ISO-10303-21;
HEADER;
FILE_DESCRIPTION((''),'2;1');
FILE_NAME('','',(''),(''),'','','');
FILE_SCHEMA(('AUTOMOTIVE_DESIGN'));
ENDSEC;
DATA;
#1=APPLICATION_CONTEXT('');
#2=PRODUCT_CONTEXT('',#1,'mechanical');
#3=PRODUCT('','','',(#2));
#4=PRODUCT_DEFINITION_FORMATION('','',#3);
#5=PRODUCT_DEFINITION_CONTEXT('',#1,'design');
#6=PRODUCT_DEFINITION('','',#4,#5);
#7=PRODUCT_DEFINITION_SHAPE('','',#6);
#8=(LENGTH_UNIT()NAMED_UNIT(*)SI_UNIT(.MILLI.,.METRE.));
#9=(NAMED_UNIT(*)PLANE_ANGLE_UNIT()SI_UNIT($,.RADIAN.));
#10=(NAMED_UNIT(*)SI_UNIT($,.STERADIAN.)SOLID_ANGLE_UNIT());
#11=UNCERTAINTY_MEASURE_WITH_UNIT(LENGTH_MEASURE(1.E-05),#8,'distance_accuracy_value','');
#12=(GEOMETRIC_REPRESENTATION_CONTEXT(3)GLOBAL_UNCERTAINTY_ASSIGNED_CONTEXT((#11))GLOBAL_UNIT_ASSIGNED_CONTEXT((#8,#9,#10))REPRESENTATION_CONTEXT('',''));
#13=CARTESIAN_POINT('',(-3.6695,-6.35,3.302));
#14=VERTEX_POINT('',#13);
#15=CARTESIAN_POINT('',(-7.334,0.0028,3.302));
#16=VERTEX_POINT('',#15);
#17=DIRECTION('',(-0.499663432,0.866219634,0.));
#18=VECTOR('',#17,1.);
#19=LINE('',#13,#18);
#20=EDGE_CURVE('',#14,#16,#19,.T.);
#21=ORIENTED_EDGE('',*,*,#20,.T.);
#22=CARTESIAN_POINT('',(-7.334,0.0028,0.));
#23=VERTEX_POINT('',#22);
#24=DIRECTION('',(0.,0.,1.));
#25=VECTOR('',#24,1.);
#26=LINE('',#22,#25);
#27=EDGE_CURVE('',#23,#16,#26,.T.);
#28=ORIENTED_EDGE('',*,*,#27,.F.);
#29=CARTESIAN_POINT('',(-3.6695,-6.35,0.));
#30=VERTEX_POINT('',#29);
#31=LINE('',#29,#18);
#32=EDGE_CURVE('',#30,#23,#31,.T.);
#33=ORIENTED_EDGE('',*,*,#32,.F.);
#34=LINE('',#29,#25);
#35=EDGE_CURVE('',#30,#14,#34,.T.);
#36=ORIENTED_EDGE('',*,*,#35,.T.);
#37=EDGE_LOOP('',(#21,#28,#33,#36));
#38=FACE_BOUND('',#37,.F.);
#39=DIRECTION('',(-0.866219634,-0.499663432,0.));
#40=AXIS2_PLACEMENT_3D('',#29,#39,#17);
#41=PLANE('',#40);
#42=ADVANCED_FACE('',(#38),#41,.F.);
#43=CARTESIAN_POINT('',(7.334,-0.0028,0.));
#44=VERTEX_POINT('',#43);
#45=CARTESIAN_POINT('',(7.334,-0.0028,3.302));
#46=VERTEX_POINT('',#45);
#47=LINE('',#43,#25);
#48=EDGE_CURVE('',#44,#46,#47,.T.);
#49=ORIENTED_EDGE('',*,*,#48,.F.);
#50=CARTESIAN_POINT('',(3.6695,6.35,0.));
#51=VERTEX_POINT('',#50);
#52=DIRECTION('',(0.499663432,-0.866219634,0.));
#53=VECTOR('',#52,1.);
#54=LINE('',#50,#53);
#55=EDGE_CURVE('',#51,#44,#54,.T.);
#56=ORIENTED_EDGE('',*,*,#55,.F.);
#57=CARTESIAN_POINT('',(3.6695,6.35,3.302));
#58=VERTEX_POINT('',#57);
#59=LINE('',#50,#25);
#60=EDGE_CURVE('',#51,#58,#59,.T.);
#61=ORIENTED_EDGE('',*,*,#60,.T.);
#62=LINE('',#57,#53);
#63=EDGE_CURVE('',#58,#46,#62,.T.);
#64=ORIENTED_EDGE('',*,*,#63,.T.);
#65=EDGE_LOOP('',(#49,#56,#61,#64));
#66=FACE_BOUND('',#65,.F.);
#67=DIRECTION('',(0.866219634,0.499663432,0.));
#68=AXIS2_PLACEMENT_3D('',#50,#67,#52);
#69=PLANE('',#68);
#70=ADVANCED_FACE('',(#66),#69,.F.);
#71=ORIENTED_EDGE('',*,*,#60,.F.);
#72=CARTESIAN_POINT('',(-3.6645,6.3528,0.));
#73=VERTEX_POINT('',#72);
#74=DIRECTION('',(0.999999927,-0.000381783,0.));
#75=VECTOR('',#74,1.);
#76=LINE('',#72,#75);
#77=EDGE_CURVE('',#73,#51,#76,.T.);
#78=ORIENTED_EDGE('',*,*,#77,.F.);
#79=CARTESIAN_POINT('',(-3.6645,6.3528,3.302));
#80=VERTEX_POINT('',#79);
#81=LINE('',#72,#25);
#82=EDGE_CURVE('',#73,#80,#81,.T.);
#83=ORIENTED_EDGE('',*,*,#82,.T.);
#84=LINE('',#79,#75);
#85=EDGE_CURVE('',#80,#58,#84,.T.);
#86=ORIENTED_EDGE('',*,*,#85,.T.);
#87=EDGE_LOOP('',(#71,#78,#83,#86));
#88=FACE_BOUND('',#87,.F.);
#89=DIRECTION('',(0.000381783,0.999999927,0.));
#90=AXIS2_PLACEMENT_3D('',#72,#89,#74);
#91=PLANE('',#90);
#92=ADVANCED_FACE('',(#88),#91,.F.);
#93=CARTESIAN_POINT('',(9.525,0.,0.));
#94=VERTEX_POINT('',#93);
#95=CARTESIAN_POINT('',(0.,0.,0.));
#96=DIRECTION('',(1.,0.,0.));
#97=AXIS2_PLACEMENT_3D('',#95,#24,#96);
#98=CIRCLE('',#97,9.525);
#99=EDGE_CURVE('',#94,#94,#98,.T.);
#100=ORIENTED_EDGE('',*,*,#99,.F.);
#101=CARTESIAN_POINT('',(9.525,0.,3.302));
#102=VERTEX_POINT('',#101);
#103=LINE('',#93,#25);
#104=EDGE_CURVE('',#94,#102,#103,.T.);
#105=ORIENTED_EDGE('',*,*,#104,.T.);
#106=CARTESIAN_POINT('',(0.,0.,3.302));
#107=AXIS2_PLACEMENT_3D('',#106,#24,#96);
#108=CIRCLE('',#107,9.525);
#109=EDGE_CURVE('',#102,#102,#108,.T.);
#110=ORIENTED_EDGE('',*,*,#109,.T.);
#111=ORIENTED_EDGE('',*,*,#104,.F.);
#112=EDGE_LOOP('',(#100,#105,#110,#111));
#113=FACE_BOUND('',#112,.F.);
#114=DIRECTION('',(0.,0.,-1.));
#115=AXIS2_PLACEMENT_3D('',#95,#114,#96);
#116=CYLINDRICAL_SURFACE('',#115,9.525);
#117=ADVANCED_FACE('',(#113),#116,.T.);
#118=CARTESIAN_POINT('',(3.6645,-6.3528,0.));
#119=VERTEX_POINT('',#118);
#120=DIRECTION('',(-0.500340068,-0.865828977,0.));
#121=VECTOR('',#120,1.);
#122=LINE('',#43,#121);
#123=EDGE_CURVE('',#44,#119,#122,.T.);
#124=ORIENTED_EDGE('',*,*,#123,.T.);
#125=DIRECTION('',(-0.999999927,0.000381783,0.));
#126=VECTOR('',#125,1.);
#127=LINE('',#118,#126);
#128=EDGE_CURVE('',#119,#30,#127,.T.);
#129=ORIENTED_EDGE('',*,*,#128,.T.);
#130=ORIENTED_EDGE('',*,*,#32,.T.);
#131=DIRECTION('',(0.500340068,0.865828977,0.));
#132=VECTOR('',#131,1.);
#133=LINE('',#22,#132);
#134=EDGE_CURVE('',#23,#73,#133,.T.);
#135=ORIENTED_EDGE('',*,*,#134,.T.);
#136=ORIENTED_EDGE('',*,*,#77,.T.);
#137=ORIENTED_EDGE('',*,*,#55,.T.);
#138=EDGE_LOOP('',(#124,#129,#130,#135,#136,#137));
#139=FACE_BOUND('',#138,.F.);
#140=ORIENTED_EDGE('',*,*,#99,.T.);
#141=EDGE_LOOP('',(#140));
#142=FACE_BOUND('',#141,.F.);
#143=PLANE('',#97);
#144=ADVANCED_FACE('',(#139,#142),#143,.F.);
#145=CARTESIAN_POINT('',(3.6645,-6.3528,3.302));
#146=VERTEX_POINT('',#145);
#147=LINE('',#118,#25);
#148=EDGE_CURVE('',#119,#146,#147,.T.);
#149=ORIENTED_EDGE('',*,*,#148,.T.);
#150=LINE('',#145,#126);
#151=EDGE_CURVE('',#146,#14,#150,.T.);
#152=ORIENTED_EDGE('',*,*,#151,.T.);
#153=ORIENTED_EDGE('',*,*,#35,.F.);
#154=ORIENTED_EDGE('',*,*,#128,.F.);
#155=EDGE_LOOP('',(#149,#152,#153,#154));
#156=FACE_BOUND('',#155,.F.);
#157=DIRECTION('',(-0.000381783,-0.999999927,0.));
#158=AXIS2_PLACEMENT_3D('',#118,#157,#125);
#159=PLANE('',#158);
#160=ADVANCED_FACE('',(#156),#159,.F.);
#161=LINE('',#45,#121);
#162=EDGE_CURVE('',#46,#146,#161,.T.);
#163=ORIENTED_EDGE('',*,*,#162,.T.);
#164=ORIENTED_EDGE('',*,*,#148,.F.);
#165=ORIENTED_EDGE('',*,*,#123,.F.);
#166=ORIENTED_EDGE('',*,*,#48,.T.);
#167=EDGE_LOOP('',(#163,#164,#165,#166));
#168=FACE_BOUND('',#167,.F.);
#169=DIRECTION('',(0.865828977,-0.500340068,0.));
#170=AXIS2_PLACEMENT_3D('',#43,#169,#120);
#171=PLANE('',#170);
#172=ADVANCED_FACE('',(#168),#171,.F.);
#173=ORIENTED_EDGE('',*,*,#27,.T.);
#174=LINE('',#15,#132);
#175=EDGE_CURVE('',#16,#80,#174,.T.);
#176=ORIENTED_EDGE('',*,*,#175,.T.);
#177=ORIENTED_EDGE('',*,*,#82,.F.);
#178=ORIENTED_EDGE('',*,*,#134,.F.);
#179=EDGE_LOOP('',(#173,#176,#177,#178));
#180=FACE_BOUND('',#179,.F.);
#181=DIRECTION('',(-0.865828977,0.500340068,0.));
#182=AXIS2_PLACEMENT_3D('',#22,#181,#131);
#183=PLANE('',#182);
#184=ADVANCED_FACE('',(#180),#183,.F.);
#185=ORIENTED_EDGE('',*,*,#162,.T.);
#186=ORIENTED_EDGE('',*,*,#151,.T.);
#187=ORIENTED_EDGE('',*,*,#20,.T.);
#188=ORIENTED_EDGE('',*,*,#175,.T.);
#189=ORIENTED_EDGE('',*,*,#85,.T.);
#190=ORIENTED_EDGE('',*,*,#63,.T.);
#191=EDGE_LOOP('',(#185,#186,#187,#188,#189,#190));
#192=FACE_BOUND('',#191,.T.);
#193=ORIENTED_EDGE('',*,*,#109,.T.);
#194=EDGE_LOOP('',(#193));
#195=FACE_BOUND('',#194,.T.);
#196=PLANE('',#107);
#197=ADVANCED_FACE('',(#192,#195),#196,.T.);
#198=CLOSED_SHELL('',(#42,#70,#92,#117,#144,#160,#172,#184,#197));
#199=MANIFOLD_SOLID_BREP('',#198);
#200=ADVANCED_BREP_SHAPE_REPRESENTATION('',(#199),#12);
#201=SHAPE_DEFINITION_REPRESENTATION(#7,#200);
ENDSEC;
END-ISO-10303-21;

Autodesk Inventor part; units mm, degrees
ref_plane "YZ Plane" through (0, 0, 0) normal (1, 0, 0) x (0, 1, 0)
ref_plane "XZ Plane" through (0, 0, 0) normal (0, 1, 0) x (-1, 0, 0)
ref_plane "XY Plane" through (0, 0, 0) normal (0, 0, 1) x (1, 0, 0)
sketch "Sketch1" plane through (0, 0, 0) normal (0, 0, 1) x (1, 0, 0)
  circle A0 centre (0, 0) radius 9.525
  line L0 (0, 0) -> (0, 6.35) construction
  line L1 (3.6695, 6.35) -> (7.334, -0.0028)
  line L2 (7.334, -0.0028) -> (3.6645, -6.3528)
  line L3 (3.6645, -6.3528) -> (-3.6695, -6.35)
  line L4 (-3.6695, -6.35) -> (-7.334, 0.0028)
  line L5 (-7.334, 0.0028) -> (-3.6645, 6.3528)
  line L6 (-3.6645, 6.3528) -> (3.6695, 6.35)
  dimension "d0" = 19.05
  dimension "d1" = 6.35
extrude "Extrusion1" add sketch "Sketch1" along normal blind 3.302
properties part number "3D Model Spacer Arm"
